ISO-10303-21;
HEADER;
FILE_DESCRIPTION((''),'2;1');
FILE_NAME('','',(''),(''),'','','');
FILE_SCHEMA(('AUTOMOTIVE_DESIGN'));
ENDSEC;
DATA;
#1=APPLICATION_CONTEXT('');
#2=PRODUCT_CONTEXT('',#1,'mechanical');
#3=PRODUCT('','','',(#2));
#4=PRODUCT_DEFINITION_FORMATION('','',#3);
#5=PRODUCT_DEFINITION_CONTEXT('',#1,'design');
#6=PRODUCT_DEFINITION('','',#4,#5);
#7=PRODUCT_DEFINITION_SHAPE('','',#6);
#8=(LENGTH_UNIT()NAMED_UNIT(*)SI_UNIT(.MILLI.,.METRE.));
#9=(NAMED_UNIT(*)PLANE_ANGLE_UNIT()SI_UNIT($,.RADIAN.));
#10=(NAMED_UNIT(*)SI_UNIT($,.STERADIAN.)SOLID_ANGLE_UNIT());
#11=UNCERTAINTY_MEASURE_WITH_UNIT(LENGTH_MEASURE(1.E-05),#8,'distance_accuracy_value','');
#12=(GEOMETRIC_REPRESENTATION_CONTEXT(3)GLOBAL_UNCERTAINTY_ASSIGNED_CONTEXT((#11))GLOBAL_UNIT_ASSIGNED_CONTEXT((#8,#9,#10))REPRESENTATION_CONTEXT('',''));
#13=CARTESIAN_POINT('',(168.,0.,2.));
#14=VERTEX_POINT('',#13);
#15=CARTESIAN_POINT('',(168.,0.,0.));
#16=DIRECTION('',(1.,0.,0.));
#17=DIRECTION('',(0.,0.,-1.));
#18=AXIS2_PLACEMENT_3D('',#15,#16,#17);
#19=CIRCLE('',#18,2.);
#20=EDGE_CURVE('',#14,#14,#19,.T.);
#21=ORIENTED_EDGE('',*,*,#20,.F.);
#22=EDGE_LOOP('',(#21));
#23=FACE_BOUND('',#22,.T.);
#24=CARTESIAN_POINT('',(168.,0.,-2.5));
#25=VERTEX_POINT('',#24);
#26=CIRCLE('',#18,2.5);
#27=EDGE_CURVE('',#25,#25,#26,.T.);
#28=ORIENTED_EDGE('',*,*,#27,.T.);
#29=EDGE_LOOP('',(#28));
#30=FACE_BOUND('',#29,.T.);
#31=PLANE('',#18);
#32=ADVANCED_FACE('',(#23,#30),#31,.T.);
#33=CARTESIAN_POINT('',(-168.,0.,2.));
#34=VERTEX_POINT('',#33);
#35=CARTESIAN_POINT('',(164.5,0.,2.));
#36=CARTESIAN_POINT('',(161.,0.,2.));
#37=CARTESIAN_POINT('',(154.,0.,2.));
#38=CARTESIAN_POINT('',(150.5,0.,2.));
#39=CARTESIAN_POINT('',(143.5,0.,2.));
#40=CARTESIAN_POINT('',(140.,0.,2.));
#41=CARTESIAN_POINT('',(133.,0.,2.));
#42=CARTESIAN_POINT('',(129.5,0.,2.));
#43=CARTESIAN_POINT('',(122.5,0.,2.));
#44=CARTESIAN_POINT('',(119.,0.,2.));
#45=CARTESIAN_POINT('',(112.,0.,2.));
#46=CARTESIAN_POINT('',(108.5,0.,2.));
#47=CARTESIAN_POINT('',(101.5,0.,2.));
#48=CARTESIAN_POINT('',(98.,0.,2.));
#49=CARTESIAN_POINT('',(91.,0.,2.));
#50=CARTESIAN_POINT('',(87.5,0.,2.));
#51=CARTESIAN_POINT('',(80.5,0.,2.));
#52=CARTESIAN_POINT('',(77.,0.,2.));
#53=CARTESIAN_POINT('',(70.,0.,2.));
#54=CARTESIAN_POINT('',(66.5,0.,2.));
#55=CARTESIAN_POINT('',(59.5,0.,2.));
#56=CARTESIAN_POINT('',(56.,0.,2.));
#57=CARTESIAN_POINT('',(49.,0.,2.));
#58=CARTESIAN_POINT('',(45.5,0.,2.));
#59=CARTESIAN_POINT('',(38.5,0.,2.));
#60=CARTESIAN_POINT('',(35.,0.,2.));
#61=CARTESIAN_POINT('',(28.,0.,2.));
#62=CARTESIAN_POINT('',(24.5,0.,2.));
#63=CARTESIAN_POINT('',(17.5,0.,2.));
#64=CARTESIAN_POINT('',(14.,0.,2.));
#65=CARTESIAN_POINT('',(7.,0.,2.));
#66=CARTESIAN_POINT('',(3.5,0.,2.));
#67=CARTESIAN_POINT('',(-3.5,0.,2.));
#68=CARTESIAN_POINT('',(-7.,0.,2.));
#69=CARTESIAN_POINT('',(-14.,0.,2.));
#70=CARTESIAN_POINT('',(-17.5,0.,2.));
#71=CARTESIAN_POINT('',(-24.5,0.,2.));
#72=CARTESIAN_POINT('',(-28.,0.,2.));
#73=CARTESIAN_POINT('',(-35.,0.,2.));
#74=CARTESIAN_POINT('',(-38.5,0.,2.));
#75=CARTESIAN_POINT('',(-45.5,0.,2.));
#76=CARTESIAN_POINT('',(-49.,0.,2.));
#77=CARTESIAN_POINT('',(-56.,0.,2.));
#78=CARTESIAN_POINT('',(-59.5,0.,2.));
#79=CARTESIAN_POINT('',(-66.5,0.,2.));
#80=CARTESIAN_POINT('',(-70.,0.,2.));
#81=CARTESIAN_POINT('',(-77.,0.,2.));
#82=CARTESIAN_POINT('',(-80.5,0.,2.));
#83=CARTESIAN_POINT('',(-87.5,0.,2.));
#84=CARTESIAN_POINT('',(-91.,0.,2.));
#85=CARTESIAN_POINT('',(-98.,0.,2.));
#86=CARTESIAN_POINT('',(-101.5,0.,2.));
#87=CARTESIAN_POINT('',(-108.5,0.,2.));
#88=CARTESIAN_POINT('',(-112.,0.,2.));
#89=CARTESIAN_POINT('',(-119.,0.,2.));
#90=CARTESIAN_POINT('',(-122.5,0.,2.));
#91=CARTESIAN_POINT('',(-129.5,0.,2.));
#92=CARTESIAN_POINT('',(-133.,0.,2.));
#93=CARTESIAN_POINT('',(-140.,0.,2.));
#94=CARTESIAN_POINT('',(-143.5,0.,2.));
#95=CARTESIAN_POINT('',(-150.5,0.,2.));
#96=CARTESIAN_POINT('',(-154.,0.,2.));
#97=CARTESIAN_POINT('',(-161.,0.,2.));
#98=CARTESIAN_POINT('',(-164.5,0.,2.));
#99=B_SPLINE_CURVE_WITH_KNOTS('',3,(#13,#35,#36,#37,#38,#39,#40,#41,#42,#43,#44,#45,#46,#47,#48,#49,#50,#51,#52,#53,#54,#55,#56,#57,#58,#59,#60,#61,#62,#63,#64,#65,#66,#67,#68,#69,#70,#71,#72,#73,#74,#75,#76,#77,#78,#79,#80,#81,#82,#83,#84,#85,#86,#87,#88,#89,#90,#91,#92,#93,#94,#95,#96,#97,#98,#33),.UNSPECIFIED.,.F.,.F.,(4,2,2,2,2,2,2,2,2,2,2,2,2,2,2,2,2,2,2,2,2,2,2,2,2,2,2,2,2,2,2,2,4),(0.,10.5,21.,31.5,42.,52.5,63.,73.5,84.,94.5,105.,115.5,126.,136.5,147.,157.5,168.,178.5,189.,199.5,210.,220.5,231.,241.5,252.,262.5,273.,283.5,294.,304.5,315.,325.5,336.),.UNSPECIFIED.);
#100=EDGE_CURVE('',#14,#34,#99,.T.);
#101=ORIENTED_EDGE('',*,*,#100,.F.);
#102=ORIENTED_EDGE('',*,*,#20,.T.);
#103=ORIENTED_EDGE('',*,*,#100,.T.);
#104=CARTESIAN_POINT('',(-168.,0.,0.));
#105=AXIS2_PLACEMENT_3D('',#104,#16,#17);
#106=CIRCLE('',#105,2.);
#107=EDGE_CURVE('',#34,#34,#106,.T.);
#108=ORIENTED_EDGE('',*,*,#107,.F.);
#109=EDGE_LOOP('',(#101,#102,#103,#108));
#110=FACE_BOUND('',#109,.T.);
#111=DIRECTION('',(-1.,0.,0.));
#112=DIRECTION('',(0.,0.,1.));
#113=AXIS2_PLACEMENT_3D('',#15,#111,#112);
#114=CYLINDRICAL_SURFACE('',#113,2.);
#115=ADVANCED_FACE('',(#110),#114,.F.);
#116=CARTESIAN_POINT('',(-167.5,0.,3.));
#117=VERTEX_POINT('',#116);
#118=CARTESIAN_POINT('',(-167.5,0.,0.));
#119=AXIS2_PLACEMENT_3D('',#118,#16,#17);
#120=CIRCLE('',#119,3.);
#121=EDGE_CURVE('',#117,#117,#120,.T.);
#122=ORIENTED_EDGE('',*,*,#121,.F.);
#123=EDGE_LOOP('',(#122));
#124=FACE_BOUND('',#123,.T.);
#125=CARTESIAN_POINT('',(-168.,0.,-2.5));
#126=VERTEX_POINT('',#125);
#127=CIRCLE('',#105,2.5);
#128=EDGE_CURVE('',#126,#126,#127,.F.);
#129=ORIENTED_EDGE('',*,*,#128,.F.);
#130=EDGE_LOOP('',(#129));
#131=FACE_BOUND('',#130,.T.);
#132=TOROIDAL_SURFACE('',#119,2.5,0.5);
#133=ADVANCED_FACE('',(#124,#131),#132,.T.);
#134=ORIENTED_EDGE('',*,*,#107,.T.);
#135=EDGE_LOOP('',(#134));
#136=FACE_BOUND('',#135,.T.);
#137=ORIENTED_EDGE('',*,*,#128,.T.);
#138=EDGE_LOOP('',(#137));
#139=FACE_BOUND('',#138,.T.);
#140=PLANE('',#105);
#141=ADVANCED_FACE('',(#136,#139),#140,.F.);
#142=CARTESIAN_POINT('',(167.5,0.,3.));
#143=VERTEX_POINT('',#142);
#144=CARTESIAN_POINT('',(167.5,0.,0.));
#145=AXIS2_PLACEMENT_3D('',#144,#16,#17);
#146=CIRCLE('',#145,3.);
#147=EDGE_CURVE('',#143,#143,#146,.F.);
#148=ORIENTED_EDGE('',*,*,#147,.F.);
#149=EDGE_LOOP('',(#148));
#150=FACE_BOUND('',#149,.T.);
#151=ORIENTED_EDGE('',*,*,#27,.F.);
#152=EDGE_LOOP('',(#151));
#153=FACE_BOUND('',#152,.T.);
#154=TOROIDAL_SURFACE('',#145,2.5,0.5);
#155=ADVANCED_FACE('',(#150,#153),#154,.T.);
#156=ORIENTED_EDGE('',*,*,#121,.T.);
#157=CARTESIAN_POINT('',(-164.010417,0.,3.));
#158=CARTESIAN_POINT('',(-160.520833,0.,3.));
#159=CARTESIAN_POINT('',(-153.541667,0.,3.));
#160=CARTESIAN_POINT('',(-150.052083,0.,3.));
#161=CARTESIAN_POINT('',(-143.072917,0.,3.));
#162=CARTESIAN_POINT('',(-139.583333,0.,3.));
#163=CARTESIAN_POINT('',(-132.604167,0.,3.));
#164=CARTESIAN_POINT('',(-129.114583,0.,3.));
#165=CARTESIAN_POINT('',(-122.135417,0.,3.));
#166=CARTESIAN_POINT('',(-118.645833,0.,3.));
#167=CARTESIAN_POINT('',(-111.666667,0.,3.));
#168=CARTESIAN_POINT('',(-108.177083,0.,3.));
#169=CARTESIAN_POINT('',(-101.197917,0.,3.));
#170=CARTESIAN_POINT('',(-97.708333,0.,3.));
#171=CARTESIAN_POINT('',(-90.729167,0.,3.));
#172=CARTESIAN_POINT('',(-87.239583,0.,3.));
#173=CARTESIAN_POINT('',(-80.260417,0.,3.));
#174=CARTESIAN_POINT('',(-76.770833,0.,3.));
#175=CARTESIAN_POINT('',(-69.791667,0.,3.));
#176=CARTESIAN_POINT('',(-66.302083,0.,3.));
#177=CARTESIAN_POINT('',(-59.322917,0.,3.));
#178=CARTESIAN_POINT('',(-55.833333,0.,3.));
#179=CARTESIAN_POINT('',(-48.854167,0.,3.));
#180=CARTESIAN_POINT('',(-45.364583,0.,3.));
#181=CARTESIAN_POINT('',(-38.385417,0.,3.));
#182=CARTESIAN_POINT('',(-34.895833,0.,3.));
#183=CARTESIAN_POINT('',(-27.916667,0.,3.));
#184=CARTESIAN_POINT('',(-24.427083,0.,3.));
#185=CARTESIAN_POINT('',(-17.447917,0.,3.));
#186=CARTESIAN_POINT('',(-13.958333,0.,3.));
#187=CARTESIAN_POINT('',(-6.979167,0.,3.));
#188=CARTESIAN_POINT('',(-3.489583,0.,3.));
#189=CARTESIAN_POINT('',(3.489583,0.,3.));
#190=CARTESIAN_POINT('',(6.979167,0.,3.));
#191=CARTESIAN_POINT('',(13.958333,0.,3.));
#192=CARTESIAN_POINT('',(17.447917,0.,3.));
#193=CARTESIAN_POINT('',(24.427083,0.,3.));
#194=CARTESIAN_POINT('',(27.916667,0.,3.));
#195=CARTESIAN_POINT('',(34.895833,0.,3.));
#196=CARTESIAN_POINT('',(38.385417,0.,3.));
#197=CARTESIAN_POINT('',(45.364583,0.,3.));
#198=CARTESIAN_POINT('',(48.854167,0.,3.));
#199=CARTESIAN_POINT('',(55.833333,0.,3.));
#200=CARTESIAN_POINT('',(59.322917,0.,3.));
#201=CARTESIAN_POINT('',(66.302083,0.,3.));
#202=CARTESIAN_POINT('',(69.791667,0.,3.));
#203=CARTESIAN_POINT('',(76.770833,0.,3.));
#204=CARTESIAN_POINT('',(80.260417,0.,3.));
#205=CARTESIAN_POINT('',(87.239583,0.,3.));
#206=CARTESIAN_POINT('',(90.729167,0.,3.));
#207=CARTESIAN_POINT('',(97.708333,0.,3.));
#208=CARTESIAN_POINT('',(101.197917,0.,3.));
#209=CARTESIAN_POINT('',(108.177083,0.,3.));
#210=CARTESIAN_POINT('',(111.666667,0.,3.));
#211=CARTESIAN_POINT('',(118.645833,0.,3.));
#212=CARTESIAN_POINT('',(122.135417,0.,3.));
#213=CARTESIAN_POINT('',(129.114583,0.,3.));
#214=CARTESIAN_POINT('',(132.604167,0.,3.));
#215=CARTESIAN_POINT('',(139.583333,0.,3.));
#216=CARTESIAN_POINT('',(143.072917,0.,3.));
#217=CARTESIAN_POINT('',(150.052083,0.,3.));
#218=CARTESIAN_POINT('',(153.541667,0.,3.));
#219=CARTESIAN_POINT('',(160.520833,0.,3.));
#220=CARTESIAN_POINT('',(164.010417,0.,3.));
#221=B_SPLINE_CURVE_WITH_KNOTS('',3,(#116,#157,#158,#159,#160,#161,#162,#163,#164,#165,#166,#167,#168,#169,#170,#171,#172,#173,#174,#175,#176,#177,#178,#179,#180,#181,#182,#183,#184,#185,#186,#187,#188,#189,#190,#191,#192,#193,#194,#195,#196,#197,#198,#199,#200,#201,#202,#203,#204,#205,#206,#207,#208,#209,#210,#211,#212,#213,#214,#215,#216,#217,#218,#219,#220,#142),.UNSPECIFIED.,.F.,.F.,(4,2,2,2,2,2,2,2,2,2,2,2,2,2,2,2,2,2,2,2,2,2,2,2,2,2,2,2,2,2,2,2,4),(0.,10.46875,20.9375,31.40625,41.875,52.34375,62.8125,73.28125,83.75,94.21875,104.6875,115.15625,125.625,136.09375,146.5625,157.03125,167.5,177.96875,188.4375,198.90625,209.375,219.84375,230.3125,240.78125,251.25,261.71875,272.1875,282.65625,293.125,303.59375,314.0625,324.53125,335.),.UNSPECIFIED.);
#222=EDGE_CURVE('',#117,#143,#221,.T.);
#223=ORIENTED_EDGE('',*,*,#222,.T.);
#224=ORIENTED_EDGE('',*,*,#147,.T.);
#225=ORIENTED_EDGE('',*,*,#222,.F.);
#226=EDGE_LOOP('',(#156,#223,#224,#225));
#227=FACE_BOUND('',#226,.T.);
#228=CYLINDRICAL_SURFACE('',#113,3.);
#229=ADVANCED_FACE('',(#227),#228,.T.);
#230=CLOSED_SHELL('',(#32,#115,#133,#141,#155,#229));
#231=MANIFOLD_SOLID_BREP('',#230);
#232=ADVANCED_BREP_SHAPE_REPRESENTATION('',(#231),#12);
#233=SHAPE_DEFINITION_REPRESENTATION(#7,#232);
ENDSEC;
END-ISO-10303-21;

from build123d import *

# Parameters (mm, degrees)
SKETCH_1_R      = 3
SKETCH_1_R_2    = 2
EXTRUDE_1_DEPTH = 168
FILLET_1_R      = 0.5


with BuildPart() as part:
    # Эскиз1 → Бобышка-Вытянуть1 (new, symmetric)
    with BuildSketch(Plane(origin=(0, 0, 0), x_dir=(0, 0, -1), z_dir=(1, 0, 0))):
        with Locations(Location((0, 0, 0), (0, 0, 180))):
            Circle(SKETCH_1_R)
        with Locations(Location((0, 0, 0), (0, 0, 180))):
            Circle(SKETCH_1_R_2, mode=Mode.SUBTRACT)
    extrude(amount=EXTRUDE_1_DEPTH, both=True)

    # Скругление1
    fillet_1_edges = [part.edges().sort_by_distance(p)[0] for p in [
        (-168, 0, -3),
        (168, 0, -3),
    ]]
    fillet(fillet_1_edges, radius=FILLET_1_R)


solid = part.part
